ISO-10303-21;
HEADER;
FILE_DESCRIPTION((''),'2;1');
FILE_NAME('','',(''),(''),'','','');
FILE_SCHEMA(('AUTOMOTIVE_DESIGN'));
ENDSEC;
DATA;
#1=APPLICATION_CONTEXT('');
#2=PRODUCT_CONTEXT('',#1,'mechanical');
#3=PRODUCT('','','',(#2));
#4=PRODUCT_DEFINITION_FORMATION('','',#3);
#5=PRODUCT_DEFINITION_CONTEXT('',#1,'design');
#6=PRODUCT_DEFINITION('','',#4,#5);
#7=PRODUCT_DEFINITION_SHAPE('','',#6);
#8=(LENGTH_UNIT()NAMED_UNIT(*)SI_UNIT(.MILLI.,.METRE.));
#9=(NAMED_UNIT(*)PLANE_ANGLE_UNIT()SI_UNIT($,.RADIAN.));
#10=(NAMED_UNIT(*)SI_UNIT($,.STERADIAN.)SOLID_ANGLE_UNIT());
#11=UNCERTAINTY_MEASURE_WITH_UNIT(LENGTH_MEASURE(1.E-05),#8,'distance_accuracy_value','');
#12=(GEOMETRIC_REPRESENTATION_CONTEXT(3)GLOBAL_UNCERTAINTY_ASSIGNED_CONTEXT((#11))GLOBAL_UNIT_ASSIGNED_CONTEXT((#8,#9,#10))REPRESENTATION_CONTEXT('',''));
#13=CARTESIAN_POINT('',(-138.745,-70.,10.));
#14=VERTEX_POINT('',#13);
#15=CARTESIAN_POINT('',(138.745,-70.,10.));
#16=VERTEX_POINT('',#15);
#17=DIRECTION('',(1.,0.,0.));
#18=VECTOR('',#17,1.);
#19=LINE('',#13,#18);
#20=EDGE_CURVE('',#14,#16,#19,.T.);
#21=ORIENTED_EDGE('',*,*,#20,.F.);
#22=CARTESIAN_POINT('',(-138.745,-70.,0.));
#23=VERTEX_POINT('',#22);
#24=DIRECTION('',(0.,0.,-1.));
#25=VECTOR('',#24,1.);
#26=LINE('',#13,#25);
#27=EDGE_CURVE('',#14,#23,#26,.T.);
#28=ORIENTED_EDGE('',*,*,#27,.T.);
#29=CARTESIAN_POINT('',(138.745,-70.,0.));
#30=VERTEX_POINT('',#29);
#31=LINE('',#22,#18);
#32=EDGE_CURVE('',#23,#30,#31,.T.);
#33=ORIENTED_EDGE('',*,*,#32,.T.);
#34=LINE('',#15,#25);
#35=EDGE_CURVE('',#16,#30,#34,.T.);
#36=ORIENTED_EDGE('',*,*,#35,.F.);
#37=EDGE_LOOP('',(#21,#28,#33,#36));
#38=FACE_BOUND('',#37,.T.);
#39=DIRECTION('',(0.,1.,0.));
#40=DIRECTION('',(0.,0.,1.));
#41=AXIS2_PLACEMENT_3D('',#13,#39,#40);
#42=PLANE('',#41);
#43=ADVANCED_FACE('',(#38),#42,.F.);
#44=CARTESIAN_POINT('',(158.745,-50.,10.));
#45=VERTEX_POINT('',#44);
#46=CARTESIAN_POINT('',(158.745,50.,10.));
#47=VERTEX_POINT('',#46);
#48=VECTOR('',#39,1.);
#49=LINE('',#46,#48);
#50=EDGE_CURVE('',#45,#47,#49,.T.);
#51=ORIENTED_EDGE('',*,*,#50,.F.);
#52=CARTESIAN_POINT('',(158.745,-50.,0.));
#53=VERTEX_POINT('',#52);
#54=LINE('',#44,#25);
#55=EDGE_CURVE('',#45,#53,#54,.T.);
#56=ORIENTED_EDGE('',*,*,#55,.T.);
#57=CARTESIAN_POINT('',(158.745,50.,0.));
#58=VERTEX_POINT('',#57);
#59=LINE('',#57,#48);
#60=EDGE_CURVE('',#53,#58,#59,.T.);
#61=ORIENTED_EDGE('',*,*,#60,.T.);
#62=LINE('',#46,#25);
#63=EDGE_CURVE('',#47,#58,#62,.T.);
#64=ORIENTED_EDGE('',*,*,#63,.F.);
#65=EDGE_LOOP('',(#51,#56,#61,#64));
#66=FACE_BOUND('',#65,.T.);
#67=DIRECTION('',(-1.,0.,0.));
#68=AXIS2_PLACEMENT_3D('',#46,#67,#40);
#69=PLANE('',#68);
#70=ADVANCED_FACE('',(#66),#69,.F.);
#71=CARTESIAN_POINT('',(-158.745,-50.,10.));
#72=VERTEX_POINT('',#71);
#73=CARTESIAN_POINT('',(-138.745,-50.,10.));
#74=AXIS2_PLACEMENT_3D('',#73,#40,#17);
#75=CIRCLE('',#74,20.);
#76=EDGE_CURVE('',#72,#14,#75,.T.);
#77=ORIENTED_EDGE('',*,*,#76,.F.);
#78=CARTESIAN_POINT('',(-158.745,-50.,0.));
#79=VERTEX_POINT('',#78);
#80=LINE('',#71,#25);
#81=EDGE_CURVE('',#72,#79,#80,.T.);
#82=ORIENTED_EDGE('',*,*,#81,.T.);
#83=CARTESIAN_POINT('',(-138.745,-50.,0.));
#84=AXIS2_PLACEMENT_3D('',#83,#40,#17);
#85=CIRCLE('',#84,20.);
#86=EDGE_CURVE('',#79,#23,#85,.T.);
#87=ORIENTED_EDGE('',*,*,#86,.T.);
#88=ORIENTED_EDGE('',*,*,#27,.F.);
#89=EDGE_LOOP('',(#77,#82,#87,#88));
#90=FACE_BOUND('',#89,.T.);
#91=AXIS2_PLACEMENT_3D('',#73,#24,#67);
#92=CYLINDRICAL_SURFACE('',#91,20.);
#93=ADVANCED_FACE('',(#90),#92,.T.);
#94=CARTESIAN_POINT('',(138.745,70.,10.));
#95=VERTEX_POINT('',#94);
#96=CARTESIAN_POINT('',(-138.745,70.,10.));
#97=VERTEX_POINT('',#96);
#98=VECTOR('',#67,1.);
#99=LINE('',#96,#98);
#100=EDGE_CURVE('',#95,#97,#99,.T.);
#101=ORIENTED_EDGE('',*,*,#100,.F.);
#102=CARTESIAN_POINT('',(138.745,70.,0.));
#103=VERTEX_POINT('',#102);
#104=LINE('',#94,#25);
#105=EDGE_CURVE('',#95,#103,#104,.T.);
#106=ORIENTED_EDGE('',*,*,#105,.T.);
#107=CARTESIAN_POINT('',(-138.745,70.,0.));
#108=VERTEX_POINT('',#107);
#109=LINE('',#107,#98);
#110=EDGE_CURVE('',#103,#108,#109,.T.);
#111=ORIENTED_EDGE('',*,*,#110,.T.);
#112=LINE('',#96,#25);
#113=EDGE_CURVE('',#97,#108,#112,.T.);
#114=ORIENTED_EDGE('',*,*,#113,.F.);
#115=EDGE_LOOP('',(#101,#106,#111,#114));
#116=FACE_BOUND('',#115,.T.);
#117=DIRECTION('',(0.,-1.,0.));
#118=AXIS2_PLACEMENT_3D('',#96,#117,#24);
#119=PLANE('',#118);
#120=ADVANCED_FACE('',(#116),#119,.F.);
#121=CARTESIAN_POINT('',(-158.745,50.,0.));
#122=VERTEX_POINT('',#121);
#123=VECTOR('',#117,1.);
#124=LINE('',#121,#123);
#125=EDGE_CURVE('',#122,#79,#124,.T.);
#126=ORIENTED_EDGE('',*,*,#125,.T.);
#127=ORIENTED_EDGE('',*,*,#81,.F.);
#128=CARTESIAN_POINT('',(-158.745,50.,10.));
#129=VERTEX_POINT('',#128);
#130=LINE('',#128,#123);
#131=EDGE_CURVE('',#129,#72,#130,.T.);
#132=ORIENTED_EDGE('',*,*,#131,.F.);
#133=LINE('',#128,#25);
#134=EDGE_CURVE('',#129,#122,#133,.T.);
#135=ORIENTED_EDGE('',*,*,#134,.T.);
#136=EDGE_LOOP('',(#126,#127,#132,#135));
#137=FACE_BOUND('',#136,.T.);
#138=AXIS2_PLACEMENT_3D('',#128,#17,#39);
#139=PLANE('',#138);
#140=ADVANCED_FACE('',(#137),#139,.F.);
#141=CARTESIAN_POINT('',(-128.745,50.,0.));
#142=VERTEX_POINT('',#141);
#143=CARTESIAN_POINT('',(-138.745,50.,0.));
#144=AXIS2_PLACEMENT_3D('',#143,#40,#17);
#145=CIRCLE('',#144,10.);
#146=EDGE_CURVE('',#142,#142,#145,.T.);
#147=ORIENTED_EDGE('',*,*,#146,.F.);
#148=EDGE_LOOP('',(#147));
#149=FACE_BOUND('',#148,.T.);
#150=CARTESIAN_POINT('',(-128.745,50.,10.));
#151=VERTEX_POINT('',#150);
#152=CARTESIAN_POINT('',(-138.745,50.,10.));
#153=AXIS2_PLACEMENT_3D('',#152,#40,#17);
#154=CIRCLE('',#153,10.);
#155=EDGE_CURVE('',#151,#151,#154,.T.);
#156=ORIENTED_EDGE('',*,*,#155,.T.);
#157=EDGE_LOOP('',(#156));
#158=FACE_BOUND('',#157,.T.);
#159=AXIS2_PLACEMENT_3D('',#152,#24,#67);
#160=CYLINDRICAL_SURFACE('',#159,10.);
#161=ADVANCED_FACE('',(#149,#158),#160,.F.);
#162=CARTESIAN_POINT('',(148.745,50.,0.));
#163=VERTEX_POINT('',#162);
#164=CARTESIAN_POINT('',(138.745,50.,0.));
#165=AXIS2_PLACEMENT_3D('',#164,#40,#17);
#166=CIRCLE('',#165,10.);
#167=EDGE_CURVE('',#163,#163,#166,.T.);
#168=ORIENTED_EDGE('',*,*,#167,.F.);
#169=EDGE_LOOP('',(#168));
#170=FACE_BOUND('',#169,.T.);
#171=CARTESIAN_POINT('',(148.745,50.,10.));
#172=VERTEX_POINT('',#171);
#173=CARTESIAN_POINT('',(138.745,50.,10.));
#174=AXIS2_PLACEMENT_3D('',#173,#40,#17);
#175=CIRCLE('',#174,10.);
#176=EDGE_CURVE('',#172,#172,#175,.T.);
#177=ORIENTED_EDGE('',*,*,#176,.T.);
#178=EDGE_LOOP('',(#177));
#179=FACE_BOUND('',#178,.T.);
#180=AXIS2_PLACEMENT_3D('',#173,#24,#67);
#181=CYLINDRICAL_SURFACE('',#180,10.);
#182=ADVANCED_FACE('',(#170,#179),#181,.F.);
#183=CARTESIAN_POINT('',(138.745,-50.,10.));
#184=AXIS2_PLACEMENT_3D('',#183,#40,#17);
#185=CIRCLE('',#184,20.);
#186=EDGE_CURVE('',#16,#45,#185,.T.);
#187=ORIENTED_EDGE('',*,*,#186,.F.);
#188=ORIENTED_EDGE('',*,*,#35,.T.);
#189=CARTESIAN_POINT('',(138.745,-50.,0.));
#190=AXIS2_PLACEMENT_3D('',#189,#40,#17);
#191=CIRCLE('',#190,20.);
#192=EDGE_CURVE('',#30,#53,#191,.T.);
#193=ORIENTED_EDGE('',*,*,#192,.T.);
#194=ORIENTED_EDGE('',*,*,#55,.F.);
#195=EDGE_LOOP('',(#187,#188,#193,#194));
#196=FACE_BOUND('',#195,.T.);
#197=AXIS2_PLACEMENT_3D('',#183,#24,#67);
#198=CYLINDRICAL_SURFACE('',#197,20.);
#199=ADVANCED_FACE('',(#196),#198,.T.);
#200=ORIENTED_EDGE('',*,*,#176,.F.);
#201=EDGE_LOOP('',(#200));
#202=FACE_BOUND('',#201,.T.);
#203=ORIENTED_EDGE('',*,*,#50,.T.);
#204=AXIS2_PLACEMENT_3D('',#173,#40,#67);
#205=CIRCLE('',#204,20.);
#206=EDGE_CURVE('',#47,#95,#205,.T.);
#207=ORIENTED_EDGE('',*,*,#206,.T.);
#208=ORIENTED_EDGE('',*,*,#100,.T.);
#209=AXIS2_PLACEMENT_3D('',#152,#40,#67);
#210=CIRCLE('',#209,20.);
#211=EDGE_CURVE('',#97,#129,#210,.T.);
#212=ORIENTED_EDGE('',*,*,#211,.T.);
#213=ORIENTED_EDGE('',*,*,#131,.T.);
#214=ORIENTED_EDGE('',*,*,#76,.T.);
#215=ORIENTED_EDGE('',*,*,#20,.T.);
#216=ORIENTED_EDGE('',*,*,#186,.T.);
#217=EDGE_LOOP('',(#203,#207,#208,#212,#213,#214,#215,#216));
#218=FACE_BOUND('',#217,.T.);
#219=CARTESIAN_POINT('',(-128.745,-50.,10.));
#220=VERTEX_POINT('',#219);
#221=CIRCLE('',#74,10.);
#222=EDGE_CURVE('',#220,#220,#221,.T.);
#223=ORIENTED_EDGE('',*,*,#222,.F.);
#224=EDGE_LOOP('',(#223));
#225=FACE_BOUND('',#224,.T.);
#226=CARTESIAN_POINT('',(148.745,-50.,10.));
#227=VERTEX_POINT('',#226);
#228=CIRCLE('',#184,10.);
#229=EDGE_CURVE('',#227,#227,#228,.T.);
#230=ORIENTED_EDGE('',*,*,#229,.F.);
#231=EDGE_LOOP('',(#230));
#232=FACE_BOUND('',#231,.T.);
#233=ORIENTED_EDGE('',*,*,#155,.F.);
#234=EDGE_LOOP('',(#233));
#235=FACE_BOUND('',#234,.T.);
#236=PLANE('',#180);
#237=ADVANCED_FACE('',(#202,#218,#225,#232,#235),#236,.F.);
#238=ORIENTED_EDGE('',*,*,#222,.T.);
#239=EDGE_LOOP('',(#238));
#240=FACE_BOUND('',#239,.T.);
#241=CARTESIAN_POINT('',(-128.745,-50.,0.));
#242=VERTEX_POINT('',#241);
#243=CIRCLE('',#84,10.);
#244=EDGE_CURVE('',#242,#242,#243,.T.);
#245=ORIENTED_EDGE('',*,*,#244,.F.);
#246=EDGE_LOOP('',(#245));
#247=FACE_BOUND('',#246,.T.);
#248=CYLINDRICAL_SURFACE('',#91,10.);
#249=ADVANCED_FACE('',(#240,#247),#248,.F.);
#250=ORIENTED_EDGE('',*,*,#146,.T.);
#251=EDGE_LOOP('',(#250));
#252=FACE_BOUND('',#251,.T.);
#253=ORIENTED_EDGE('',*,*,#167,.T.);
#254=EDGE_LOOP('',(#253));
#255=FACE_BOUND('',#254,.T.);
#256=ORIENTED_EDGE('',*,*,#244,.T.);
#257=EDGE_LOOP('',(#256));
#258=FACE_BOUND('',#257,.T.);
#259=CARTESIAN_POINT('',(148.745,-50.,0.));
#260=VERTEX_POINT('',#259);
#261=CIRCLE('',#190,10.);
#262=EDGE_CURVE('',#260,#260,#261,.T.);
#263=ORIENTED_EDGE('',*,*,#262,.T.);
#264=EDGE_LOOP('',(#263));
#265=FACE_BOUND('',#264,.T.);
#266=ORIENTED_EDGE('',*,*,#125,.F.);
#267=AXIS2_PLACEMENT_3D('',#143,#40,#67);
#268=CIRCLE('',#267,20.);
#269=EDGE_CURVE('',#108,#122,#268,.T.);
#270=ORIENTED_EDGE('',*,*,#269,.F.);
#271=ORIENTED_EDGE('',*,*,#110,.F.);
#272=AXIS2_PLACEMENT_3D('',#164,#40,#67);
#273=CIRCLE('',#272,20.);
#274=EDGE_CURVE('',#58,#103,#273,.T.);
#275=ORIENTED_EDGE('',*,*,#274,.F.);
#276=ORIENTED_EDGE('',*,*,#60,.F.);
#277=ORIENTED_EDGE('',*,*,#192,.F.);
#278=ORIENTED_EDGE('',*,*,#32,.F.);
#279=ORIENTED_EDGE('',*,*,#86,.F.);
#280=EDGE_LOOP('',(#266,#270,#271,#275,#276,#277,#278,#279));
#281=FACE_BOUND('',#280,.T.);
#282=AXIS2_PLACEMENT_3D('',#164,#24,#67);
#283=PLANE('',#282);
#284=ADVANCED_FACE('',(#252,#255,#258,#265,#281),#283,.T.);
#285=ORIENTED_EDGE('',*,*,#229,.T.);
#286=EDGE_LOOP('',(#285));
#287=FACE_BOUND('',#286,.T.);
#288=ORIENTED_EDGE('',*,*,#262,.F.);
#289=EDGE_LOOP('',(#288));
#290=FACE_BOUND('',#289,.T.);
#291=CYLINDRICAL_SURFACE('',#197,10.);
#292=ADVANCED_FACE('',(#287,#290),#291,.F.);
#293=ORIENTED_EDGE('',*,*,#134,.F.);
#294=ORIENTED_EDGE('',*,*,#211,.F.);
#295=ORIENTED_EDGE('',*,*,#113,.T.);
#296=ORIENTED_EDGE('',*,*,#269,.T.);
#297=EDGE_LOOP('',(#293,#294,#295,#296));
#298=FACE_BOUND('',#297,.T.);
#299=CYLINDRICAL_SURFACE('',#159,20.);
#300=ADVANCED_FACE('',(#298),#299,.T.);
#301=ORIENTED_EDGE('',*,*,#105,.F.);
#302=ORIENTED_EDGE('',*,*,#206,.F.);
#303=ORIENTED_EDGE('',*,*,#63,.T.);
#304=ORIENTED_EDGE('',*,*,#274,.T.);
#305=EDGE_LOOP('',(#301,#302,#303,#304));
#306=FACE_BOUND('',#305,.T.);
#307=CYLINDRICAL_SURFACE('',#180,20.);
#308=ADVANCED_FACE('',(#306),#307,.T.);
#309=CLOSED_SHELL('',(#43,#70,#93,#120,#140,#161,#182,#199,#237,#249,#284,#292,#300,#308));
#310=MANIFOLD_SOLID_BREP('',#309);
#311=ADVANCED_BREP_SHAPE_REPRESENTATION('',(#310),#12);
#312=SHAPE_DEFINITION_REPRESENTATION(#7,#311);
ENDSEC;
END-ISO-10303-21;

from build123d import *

# Parameters (mm, degrees)
SKETCH_1_R      = 10
EXTRUDE_1_DEPTH = 10


with BuildPart() as part:
    # 草图1 → 凸台-拉伸1 (new body)
    with BuildSketch(Plane.XY):
        with BuildLine():
            Line((-138.745, 70), (138.745, 70))
            ThreePointArc((138.745, 70), (152.887135624, 64.142135624), (158.745, 50))
            Line((158.745, 50), (158.745, -50))
            ThreePointArc((158.745, -50), (152.887135624, -64.142135624), (138.745, -70))
            Line((138.745, -70), (-138.745, -70))
            ThreePointArc((-138.745, -70), (-152.887135624, -64.142135624), (-158.745, -50))
            Line((-158.745, -50), (-158.745, 50))
            ThreePointArc((-158.745, 50), (-152.887135624, 64.142135624), (-138.745, 70))
        make_face()
        with Locations((-138.745, 50)):
            Circle(SKETCH_1_R, mode=Mode.SUBTRACT)
        with Locations((-138.745, -50)):
            Circle(SKETCH_1_R, mode=Mode.SUBTRACT)
        with Locations((138.745, -50)):
            Circle(SKETCH_1_R, mode=Mode.SUBTRACT)
        with Locations((138.745, 50)):
            Circle(SKETCH_1_R, mode=Mode.SUBTRACT)
    extrude(amount=EXTRUDE_1_DEPTH)


solid = part.part
